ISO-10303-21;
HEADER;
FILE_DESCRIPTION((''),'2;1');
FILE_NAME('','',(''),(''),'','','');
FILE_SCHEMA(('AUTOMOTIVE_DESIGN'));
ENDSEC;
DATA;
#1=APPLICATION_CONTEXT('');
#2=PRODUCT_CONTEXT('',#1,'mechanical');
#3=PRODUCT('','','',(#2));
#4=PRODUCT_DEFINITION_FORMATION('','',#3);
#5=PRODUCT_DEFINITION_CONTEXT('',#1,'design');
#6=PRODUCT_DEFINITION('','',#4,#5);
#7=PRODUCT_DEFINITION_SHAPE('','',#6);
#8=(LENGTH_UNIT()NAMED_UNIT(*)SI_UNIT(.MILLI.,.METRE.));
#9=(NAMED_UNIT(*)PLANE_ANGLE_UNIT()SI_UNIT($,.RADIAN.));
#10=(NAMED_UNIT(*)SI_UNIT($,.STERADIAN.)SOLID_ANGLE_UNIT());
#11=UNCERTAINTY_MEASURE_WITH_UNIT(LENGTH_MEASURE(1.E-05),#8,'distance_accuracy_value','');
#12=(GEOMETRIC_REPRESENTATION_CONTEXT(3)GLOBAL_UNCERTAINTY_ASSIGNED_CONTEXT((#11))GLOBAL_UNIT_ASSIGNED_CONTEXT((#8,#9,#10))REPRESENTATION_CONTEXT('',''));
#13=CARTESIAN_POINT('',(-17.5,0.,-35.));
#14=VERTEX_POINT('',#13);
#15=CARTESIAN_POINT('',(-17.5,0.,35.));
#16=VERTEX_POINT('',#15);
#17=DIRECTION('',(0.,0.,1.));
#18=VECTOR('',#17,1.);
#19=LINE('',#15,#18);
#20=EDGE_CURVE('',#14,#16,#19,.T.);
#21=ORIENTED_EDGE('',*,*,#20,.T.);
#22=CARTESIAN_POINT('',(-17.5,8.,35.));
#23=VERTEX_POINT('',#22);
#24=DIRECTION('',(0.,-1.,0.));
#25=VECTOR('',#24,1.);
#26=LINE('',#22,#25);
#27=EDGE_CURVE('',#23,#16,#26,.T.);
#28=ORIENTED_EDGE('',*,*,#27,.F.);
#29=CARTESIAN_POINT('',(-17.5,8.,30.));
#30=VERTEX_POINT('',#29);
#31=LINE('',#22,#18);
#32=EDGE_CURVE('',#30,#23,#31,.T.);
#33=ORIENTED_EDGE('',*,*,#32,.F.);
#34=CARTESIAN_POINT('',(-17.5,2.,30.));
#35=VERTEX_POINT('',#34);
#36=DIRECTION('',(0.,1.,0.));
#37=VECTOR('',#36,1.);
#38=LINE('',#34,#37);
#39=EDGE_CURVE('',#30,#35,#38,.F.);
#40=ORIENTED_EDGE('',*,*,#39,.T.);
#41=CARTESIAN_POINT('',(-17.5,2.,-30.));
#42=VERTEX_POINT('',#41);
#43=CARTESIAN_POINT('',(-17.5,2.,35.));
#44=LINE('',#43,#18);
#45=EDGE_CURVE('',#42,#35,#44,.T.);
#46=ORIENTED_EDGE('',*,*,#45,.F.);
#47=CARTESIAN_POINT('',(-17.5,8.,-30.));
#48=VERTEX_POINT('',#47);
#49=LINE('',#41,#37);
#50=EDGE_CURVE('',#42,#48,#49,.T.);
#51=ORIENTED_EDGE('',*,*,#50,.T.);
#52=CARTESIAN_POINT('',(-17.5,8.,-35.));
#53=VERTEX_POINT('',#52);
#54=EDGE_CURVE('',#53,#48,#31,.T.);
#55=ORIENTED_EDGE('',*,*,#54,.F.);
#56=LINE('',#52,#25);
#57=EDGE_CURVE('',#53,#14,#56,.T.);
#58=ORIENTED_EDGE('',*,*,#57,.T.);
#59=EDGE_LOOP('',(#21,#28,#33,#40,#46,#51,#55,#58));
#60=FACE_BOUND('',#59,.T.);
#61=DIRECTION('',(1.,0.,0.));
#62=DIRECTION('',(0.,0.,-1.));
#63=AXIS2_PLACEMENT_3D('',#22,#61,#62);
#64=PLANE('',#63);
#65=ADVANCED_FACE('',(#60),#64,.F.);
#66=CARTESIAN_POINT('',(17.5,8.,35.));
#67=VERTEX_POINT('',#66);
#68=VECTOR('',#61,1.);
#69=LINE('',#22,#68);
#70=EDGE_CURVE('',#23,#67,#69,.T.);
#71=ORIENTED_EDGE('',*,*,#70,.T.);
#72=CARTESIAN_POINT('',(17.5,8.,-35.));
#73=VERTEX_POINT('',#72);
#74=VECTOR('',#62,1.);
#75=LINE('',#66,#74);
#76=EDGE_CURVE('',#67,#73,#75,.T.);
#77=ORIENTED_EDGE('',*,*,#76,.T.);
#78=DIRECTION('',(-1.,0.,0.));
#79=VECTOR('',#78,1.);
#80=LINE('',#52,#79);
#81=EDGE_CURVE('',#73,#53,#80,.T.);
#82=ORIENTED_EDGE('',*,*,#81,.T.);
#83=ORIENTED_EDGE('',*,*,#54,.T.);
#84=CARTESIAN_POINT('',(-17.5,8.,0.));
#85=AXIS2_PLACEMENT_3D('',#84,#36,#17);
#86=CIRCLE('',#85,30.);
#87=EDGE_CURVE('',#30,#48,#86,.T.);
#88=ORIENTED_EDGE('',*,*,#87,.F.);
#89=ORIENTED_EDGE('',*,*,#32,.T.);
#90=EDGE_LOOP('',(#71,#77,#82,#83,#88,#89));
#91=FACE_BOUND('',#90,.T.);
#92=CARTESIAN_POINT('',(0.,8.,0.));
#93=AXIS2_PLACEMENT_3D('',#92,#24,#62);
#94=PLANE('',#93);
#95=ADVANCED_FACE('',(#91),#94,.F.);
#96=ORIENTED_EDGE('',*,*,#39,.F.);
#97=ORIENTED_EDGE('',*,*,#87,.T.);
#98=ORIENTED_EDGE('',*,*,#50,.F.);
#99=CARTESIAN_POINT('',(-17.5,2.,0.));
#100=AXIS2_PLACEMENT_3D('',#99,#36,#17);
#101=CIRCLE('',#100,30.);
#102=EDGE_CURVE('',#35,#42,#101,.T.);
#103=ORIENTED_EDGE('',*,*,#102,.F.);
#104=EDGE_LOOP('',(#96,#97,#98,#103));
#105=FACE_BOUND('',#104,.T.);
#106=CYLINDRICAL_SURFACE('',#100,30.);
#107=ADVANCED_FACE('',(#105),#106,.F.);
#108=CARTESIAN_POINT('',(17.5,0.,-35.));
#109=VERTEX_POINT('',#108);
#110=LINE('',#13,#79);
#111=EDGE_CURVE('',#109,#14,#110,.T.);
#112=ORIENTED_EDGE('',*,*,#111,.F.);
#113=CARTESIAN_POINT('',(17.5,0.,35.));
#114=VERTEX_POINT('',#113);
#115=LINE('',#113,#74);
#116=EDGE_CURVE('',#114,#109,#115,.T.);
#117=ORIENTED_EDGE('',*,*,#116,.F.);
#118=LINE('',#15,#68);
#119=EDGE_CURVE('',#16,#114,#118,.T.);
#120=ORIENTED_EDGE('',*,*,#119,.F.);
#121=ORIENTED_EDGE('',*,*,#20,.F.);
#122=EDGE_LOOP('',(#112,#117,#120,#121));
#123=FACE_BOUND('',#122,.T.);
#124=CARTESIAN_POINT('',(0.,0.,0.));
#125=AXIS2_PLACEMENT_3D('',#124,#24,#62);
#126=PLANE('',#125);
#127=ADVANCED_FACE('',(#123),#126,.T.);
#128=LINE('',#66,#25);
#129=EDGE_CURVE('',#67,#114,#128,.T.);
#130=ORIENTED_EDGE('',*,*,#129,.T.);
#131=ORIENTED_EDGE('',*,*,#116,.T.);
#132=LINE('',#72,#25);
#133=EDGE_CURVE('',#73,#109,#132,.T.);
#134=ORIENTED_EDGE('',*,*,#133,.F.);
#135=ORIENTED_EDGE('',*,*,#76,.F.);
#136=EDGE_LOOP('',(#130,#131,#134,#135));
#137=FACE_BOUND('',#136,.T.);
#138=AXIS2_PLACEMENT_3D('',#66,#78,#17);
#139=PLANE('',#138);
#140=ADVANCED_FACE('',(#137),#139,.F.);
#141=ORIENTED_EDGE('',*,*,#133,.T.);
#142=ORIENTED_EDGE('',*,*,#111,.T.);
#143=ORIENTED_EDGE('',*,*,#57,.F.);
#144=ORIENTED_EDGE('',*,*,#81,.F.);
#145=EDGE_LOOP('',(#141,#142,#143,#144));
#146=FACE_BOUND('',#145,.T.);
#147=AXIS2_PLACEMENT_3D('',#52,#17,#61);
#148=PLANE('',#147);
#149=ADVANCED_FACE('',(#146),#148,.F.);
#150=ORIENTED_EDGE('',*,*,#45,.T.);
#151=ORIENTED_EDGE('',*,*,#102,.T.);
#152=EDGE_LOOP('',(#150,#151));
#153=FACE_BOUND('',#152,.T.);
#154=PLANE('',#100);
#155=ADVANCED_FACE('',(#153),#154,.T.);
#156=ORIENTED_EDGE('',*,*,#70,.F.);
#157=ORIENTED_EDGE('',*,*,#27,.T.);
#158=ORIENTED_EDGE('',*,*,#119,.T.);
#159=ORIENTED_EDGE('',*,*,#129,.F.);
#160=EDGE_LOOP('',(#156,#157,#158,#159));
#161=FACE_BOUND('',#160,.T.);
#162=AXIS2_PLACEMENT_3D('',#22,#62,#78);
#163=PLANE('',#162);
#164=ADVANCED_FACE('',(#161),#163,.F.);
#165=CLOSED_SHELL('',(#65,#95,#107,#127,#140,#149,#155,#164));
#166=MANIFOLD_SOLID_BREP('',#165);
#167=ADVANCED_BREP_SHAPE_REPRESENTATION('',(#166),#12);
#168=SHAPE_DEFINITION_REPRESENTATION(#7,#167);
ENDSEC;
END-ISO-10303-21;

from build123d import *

# Parameters (mm, degrees)
SKETCH_1_W          = 35
SKETCH_1_H          = 70
EXTRUDE_1_DEPTH     = 8
SKETCH_2_R          = 30
CUT_EXTRUDE_1_DEPTH = 6


with BuildPart() as part:
    # Эскиз1 → Бобышка-Вытянуть1 (new body)
    with BuildSketch(Plane(origin=(0, 0, 0), x_dir=(1, 0, 0), z_dir=(0, 1, 0))):
        Rectangle(SKETCH_1_W, SKETCH_1_H)
    extrude(amount=EXTRUDE_1_DEPTH)

    # Эскиз2 → Вырез-Вытянуть1 (cut)
    with BuildSketch(Plane(origin=(0, 8, 0), x_dir=(1, 0, 0), z_dir=(0, 1, 0))):
        with Locations((-17.5, 0)):
            Circle(SKETCH_2_R)
    extrude(amount=-CUT_EXTRUDE_1_DEPTH, mode=Mode.SUBTRACT)


solid = part.part
